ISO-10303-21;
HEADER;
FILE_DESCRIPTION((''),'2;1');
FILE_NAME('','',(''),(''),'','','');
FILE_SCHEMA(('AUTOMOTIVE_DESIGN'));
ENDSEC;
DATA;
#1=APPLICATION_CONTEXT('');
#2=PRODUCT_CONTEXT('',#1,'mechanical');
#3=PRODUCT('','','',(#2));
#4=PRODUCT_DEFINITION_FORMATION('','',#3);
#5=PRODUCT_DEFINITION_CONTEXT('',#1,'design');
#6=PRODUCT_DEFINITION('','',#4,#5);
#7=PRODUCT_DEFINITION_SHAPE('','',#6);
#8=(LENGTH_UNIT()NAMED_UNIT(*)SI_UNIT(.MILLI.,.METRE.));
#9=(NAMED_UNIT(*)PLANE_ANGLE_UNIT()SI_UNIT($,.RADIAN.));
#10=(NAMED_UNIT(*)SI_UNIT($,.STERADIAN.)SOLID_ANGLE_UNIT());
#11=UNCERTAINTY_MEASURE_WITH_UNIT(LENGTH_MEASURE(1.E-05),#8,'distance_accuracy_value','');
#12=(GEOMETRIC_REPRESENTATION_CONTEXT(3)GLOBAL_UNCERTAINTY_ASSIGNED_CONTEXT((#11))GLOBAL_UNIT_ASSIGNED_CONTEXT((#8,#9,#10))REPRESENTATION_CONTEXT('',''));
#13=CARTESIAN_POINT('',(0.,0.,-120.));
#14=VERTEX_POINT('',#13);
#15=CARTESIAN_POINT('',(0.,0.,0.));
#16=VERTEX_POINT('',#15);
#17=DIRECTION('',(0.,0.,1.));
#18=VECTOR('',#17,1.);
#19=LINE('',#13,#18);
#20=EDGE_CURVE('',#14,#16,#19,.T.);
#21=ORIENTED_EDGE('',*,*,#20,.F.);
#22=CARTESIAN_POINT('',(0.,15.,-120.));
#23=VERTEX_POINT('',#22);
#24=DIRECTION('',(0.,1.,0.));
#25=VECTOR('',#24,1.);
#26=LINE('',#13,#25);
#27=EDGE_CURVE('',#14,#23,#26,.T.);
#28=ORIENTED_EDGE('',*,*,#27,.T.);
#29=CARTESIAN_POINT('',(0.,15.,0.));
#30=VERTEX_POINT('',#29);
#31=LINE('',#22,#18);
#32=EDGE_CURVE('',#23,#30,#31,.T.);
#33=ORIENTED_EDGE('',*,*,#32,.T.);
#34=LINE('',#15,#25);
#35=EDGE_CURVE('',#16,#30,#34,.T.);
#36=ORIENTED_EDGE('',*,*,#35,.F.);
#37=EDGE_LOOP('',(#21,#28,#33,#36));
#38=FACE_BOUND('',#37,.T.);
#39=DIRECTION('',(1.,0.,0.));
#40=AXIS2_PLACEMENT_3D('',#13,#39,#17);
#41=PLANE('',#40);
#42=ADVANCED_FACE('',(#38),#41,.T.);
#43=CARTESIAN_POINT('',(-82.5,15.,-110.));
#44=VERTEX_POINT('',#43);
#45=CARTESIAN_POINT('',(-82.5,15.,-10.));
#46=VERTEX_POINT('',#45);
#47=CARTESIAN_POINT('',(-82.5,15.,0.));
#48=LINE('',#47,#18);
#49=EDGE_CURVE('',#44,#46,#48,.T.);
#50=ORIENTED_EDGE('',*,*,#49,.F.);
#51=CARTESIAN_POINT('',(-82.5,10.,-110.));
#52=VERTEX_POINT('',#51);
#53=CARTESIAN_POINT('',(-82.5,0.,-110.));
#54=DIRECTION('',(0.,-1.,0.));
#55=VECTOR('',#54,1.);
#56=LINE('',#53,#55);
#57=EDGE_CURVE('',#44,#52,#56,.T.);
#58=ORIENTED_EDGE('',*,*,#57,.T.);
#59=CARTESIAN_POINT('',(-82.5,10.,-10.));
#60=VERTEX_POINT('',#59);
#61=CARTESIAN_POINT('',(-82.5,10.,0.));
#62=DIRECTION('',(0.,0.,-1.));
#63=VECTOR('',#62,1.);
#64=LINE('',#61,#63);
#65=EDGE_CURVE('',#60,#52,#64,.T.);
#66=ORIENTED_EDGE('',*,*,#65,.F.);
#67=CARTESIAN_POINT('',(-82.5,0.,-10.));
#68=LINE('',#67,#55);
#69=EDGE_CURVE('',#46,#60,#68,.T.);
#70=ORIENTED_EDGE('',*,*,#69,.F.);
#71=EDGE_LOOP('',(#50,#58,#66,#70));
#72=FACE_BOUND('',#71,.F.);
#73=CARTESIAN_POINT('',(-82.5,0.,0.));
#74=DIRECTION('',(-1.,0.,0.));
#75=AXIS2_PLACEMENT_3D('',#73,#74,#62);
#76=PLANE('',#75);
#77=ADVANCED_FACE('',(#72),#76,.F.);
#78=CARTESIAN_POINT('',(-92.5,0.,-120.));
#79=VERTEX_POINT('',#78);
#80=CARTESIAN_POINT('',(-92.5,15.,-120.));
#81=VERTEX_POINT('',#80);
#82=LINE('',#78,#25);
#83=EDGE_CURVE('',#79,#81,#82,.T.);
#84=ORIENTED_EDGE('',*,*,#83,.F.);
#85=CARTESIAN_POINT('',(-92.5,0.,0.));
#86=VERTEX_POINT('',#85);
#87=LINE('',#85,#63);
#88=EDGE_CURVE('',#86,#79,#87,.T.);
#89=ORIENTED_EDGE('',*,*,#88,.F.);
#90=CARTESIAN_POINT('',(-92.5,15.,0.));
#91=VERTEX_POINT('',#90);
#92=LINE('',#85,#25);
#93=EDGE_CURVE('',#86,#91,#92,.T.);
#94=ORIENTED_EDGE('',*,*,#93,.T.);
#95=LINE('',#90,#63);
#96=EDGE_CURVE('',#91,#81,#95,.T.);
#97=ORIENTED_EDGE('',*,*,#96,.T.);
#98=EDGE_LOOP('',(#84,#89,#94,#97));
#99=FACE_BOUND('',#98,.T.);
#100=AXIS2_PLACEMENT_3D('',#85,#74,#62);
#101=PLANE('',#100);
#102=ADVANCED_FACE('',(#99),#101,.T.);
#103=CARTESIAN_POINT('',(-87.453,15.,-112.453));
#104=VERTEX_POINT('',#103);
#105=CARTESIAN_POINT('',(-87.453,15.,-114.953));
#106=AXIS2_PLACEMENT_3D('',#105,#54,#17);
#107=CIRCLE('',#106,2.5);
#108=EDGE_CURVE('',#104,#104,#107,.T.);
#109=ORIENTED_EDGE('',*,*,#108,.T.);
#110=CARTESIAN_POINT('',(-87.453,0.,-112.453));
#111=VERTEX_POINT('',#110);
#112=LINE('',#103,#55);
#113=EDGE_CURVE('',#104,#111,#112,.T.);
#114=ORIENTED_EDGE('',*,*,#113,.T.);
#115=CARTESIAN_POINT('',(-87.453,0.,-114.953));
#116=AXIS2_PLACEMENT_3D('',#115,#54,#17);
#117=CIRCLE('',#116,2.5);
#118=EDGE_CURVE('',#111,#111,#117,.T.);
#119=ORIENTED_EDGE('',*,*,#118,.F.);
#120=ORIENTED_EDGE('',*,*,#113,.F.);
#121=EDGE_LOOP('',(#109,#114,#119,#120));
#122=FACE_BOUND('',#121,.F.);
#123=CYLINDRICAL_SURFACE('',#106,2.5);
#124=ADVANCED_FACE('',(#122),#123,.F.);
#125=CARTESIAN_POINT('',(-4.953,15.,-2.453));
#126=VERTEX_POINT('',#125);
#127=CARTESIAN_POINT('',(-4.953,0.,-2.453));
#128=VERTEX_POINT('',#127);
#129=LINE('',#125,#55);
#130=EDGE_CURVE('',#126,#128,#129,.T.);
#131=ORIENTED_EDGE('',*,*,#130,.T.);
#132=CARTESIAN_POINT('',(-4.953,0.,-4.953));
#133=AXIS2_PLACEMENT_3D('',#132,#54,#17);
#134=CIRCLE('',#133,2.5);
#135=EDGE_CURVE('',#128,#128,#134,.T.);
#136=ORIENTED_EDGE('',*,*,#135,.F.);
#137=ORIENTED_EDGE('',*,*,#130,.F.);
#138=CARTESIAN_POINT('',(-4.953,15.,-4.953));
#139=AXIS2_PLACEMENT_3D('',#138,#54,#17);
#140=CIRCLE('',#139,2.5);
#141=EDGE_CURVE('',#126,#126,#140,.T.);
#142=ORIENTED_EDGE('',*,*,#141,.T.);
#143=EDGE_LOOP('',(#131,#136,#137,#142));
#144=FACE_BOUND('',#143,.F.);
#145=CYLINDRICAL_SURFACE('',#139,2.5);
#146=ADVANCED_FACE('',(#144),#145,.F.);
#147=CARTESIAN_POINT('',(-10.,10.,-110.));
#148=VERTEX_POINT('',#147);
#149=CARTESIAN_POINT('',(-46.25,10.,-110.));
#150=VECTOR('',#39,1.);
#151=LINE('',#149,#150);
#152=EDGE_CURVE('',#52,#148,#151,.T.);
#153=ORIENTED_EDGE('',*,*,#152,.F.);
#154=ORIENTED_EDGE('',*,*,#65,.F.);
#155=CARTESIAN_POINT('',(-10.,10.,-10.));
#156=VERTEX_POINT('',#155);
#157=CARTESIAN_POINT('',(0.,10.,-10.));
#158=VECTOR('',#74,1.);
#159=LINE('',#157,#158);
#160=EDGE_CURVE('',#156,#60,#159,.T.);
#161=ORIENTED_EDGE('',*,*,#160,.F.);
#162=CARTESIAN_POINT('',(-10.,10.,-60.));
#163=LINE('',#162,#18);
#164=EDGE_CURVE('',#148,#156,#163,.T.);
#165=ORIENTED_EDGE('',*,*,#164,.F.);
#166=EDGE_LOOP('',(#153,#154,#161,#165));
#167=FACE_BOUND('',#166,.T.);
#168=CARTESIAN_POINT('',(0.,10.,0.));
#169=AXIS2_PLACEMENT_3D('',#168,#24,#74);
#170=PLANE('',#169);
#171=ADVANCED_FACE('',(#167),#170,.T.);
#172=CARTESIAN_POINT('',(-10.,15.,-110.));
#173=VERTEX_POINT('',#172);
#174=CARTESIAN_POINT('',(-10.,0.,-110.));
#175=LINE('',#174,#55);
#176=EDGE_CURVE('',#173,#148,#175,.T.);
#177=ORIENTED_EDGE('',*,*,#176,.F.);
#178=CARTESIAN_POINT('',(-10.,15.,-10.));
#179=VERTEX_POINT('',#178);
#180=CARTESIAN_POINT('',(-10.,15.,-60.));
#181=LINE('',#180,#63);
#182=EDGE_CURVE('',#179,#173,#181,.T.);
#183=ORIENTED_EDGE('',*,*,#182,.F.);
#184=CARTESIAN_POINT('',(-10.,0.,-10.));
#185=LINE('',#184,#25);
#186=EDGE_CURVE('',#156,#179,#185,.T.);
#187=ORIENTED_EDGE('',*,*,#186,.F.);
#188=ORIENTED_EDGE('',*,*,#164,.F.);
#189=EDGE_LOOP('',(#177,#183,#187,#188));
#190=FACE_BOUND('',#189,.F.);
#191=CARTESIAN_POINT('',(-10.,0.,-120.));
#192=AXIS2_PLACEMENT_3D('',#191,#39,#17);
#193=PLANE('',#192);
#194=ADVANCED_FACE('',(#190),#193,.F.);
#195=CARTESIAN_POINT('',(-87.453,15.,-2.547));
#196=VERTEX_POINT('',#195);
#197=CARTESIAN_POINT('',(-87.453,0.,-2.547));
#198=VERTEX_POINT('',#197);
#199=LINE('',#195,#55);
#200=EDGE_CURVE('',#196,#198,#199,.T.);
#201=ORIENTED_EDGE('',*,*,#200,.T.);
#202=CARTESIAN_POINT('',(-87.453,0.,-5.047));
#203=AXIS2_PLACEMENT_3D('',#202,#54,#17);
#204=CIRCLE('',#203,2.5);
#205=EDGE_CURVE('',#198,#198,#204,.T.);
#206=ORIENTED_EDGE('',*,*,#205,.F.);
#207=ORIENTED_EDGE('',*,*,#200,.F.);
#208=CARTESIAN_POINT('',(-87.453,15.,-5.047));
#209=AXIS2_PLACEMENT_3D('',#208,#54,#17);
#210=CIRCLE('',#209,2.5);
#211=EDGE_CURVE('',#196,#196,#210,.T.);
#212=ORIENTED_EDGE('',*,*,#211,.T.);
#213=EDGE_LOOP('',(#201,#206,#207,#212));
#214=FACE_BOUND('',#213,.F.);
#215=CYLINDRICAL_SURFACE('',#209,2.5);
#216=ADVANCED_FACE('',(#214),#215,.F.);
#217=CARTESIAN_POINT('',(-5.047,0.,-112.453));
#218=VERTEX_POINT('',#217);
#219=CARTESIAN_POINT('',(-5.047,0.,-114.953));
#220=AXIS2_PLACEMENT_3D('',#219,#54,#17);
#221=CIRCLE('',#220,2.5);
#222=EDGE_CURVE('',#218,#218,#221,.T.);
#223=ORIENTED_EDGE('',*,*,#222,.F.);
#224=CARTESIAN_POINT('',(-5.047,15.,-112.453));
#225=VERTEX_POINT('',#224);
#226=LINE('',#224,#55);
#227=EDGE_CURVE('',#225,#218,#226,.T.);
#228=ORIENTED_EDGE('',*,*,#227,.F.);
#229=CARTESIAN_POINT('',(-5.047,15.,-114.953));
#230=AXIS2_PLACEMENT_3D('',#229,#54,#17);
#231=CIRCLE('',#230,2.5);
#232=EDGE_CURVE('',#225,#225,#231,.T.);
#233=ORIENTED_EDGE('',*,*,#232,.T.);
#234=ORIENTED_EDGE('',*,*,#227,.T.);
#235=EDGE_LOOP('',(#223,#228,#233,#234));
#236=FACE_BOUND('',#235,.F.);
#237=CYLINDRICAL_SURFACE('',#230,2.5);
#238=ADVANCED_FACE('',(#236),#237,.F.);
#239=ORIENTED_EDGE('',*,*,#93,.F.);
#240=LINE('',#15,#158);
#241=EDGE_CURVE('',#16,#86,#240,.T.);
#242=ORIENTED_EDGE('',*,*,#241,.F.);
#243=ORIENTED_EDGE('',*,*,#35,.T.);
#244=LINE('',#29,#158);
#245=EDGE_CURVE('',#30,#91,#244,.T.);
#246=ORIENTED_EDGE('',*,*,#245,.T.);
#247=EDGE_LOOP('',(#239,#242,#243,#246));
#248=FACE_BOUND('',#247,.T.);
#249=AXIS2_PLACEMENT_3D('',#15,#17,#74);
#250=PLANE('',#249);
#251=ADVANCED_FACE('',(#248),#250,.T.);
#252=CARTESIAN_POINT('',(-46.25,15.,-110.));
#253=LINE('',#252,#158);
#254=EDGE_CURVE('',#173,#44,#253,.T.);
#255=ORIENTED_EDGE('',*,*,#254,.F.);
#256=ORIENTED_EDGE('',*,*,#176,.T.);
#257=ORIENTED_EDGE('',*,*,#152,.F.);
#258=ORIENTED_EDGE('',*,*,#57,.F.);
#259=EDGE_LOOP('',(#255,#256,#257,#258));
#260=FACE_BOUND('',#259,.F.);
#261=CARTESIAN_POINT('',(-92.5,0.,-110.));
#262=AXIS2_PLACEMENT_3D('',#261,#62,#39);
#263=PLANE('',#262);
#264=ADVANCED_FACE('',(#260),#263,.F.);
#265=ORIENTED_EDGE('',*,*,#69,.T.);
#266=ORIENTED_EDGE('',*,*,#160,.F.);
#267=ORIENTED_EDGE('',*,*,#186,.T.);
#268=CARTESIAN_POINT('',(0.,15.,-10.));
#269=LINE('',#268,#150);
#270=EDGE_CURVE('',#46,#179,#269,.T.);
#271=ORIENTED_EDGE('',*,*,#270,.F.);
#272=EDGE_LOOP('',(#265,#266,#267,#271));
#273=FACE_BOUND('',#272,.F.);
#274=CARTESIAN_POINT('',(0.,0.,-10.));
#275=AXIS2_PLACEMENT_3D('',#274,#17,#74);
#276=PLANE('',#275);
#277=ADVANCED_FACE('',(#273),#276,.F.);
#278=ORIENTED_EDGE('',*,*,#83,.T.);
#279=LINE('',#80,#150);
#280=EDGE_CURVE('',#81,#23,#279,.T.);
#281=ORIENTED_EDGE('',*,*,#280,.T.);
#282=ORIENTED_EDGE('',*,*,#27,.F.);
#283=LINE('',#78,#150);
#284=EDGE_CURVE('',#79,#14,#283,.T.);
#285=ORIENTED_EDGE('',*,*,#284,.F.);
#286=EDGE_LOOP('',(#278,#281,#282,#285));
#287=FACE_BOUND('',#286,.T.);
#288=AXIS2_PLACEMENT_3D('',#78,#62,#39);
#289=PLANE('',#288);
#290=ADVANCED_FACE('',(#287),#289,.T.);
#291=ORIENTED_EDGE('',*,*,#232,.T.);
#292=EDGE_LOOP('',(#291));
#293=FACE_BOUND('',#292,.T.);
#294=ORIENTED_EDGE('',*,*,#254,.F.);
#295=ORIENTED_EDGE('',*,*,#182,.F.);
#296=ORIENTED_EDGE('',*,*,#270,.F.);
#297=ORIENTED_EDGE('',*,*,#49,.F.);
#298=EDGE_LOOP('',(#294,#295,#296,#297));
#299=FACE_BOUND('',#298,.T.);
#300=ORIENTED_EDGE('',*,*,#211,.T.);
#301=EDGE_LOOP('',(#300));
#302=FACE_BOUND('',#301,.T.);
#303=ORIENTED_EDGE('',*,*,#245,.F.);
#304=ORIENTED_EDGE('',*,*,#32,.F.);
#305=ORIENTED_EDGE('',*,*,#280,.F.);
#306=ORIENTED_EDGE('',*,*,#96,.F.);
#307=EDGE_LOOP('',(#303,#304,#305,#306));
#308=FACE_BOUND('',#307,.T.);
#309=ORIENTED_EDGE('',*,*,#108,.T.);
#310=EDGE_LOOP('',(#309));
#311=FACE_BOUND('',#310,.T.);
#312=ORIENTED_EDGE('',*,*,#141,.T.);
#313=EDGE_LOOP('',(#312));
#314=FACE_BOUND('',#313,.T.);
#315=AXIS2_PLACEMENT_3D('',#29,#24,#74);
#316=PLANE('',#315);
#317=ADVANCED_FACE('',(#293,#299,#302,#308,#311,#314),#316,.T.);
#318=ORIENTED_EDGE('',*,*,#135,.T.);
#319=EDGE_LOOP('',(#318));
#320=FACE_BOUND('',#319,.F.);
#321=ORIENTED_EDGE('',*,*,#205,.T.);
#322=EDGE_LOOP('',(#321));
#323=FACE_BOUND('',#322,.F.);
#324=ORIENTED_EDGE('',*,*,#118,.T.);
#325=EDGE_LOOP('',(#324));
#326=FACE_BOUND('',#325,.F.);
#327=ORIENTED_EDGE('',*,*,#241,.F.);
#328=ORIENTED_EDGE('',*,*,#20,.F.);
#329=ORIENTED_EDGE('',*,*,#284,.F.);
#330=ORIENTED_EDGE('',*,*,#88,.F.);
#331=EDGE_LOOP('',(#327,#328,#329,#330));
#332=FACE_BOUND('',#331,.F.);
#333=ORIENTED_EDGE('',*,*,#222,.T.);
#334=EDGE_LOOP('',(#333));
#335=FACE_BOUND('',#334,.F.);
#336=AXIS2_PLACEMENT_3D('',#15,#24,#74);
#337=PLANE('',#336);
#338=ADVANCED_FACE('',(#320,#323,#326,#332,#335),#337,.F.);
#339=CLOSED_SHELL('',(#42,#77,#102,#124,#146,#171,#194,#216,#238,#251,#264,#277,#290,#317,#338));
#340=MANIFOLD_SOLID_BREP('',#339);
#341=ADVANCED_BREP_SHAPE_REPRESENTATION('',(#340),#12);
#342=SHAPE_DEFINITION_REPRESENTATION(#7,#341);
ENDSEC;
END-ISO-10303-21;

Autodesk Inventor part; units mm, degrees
ref_plane "YZ Plane" through (0, 0, 0) normal (1, 0, 0) x (0, 1, 0)
ref_plane "XZ Plane" through (0, 0, 0) normal (0, 1, 0) x (-1, 0, 0)
ref_plane "XY Plane" through (0, 0, 0) normal (0, 0, 1) x (1, 0, 0)
sketch "Sketch1" plane through (0, 0, 0) normal (0, 1, 0) x (-1, 0, 0)
  line L0 (0, 0) -> (92.5, 0)
  line L1 (92.5, 0) -> (92.5, -120)
  line L2 (92.5, -120) -> (0, -120)
  line L3 (0, -120) -> (0, 0)
  dimension "d0" = 120
  dimension "d1" = 92.5
extrude "Extrusion1" add sketch "Sketch1" along normal blind 15
shell "Shell1" thickness 10 removed faces 1 at (-30.8333, 15, -80)
sketch "Sketch3" plane through (0, 15, 0) normal (0, 1, 0) x (1, 0, 0)
  line L0 (-92.5, 0) -> (0, 0) projected
  line L1 (0, 0) -> (0, 4.953)
  line L2 (0, 0) -> (0, 120) projected
  line L3 (-4.953, 4.953) -> (0, 4.953)
  line L4 (-4.953, 4.953) -> (-4.953, 0)
  dimension "d5" = 4.953
  dimension "d6" = 4.953
hole "Hole1" at (-4.953, 15, -4.953) direction (0, -1, 0) diameter 5 end through all
sketch "Sketch5" plane through (0, 15, 0) normal (0, 1, 0) x (1, 0, 0)
  line L0 (-82.5, 10) -> (-82.5, 110) projected
  line L1 (-82.5, 10) -> (-87.453, 10)
  line L2 (-87.453, 10) -> (-87.453, 5.047)
  point P0 (0, 0)
  dimension "d14" = 4.953
  dimension "d15" = 4.953
hole "Hole2" at (-87.453, 15, -5.047) direction (0, -1, 0) diameter 5 end through all
sketch "Sketch6" plane through (0, 15, 0) normal (0, 1, 0) x (1, 0, 0)
  line L0 (-82.5, 110) -> (-10, 110) projected
  line L1 (-82.5, 110) -> (-82.5, 114.953)
  line L2 (-82.5, 114.953) -> (-87.453, 114.953)
  point P0 (0, 0)
  dimension "d23" = 4.953
  dimension "d24" = 4.953
hole "Hole3" at (-87.453, 15, -114.953) direction (0, -1, 0) diameter 5 end through all
sketch "Sketch7" plane through (0, 15, 0) normal (0, 1, 0) x (1, 0, 0)
  line L0 (-82.5, 110) -> (-10, 110) projected
  line L1 (-10, 110) -> (-10, 114.953)
  line L2 (-10, 114.953) -> (-5.047, 114.953)
  point P0 (0, 0)
  dimension "d32" = 4.953
  dimension "d33" = 4.953
hole "Hole4" at (-5.047, 15, -114.953) direction (0, -1, 0) diameter 5 end through all
properties part number "Water_Proof_Box_Top"
